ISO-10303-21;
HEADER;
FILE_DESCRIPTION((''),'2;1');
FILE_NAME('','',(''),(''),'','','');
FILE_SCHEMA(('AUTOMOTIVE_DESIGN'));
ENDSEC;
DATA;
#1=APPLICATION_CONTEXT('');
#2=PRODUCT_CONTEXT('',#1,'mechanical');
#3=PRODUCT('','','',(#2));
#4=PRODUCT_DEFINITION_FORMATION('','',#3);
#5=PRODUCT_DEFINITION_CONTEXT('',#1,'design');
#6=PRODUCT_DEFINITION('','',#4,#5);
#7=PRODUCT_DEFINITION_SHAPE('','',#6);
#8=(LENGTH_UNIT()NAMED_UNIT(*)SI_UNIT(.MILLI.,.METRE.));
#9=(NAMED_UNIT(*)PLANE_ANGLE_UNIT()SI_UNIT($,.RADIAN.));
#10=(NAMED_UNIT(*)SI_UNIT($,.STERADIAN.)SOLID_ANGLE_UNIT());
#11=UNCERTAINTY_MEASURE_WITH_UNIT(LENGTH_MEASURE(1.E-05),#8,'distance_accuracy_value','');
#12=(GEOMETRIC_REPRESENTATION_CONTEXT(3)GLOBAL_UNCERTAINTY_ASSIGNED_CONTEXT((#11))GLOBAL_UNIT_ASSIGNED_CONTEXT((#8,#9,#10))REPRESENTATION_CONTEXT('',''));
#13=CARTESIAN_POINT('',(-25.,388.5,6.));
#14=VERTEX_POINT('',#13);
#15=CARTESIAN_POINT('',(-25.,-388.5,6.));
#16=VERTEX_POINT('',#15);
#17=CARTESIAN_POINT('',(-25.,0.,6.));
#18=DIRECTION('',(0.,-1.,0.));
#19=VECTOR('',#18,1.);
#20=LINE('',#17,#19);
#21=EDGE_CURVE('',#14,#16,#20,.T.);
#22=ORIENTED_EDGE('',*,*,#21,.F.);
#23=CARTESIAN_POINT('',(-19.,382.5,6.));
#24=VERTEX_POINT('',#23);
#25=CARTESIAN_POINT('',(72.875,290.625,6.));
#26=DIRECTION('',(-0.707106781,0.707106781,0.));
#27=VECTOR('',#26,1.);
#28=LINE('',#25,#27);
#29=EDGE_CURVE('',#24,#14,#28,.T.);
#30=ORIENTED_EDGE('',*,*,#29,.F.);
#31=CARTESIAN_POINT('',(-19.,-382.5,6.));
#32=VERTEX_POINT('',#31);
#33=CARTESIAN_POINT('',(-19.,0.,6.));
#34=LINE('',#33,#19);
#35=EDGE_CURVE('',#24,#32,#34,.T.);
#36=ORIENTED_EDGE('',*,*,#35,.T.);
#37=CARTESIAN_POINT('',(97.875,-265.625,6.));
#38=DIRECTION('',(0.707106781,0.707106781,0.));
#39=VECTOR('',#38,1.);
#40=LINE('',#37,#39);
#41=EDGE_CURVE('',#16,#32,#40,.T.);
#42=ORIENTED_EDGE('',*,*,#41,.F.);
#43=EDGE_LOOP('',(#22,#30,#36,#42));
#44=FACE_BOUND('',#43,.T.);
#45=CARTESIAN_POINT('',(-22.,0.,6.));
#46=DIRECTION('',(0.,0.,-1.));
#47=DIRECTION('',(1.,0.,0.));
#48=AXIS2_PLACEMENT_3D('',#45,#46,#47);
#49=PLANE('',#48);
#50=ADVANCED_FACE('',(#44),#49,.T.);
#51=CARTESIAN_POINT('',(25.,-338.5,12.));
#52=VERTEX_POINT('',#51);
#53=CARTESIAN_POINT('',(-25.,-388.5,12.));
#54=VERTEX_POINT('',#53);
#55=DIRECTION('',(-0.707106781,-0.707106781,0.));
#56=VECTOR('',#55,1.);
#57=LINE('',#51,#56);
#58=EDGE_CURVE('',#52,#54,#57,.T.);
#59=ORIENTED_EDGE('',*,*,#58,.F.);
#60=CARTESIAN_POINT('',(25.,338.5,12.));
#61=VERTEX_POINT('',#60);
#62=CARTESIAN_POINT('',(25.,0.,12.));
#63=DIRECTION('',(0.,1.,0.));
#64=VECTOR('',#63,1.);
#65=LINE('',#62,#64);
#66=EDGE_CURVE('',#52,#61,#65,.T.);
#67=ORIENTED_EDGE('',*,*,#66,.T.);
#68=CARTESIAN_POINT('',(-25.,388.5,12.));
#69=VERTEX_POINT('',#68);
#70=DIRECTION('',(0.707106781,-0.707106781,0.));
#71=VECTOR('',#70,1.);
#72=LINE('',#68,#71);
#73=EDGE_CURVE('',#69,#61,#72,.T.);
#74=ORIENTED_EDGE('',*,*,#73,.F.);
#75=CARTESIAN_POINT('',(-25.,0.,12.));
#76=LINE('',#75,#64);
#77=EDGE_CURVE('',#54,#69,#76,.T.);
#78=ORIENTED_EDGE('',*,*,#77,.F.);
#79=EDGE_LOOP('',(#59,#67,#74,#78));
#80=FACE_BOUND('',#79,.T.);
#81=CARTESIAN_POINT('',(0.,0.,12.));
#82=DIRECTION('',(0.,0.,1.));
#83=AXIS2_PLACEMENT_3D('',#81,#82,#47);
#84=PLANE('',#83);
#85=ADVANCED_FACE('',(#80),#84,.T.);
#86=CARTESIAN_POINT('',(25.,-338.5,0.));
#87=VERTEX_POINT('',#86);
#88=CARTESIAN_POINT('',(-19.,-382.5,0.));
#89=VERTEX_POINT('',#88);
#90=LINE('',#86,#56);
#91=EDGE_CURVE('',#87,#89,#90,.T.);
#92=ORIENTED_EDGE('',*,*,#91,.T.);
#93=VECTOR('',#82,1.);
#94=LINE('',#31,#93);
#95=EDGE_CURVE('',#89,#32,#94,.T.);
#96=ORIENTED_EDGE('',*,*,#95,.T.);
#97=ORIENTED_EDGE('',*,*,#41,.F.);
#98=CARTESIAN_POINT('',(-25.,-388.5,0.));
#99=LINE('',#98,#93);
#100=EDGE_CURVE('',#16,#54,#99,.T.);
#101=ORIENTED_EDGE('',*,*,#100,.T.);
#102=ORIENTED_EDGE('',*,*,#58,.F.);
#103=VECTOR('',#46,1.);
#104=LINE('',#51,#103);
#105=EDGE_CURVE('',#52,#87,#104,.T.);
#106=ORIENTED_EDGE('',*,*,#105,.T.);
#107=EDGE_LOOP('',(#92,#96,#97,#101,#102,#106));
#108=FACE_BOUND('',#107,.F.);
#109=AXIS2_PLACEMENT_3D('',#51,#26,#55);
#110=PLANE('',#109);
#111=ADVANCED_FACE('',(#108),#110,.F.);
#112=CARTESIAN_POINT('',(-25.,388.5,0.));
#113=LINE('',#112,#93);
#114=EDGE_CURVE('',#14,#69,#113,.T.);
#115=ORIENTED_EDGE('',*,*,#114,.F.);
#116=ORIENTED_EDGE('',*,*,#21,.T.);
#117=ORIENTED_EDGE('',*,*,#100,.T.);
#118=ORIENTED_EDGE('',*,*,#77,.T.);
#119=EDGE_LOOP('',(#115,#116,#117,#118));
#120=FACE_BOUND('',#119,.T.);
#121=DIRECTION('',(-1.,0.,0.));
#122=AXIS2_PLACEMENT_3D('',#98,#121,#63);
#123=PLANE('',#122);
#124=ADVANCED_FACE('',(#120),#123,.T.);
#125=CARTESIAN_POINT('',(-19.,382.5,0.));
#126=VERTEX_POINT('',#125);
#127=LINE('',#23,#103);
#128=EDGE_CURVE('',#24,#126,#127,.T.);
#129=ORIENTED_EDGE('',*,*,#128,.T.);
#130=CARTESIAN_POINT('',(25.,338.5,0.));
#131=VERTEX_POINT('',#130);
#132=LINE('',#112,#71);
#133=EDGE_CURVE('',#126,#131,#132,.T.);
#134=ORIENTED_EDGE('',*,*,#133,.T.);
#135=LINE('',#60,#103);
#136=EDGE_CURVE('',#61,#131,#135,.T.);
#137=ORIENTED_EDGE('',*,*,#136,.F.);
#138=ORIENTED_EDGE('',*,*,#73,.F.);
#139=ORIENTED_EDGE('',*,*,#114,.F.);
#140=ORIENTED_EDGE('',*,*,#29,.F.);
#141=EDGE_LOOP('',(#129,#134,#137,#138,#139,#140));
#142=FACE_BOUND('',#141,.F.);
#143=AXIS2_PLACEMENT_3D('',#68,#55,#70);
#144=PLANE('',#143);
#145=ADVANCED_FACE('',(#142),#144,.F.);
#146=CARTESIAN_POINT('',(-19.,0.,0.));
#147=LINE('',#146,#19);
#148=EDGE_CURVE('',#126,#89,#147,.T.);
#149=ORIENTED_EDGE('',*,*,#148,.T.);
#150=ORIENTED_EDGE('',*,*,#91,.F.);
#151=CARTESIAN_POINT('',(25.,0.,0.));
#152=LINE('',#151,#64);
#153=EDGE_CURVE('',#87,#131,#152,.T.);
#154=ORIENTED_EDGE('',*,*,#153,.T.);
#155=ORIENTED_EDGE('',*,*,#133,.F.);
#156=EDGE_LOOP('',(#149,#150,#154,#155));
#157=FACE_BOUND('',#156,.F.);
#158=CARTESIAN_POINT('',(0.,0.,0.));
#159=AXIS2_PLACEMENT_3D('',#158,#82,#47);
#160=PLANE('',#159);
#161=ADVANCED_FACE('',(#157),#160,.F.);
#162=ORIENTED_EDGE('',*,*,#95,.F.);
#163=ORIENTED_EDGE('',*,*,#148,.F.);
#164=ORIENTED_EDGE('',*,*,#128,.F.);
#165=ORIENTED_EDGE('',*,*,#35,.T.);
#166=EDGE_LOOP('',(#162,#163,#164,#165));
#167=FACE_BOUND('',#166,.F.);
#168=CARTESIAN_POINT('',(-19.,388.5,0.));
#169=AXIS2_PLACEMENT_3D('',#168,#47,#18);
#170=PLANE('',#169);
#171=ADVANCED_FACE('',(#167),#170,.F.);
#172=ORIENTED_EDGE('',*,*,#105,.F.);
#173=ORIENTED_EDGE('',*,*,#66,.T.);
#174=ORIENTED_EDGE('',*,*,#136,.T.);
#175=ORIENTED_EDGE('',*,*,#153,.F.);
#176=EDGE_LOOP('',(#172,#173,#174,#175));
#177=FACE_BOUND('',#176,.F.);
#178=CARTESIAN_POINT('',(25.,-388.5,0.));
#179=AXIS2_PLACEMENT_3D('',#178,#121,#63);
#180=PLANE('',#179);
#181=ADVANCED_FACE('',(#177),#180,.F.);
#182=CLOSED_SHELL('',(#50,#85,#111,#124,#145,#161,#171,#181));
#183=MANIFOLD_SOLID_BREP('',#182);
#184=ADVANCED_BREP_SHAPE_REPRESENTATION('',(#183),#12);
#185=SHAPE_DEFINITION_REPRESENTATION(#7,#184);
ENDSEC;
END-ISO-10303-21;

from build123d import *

# Parameters (mm, degrees)
F0_W     = 50
F0_H     = 777
F1_DEPTH = 12
F2_W     = 6
F2_H     = 777
F3_DEPTH = 6
F5_DEPTH = 12
F7_DEPTH = 12


with BuildPart() as f1:
    # F0 (on Top) → F1 (new body)
    with BuildSketch(Plane.XY):
        Rectangle(F0_W, F0_H)
    extrude(amount=F1_DEPTH)

    # F2 (on face) → F3 (cut)
    with BuildSketch(Plane(origin=(0, 0, 0), x_dir=(1, 0, 0), z_dir=(0, 0, -1))):
        with Locations((-22, 0)):
            Rectangle(F2_W, F2_H)
    extrude(amount=-F3_DEPTH, mode=Mode.SUBTRACT)

    # F4 (on face) → F5 (cut, through all)
    with BuildSketch(Plane.XY.offset(12)):
        Polygon((25, -338.5), (-25, -388.5), (25, -388.5), align=None)
    extrude(amount=-F5_DEPTH, mode=Mode.SUBTRACT)

    # F6 (on face) → F7 (cut, through all)
    with BuildSketch(Plane.XY.offset(12)):
        Polygon((25, 388.5), (-25, 388.5), (25, 338.5), align=None)
    extrude(amount=-F7_DEPTH, mode=Mode.SUBTRACT)


solid = f1.part
